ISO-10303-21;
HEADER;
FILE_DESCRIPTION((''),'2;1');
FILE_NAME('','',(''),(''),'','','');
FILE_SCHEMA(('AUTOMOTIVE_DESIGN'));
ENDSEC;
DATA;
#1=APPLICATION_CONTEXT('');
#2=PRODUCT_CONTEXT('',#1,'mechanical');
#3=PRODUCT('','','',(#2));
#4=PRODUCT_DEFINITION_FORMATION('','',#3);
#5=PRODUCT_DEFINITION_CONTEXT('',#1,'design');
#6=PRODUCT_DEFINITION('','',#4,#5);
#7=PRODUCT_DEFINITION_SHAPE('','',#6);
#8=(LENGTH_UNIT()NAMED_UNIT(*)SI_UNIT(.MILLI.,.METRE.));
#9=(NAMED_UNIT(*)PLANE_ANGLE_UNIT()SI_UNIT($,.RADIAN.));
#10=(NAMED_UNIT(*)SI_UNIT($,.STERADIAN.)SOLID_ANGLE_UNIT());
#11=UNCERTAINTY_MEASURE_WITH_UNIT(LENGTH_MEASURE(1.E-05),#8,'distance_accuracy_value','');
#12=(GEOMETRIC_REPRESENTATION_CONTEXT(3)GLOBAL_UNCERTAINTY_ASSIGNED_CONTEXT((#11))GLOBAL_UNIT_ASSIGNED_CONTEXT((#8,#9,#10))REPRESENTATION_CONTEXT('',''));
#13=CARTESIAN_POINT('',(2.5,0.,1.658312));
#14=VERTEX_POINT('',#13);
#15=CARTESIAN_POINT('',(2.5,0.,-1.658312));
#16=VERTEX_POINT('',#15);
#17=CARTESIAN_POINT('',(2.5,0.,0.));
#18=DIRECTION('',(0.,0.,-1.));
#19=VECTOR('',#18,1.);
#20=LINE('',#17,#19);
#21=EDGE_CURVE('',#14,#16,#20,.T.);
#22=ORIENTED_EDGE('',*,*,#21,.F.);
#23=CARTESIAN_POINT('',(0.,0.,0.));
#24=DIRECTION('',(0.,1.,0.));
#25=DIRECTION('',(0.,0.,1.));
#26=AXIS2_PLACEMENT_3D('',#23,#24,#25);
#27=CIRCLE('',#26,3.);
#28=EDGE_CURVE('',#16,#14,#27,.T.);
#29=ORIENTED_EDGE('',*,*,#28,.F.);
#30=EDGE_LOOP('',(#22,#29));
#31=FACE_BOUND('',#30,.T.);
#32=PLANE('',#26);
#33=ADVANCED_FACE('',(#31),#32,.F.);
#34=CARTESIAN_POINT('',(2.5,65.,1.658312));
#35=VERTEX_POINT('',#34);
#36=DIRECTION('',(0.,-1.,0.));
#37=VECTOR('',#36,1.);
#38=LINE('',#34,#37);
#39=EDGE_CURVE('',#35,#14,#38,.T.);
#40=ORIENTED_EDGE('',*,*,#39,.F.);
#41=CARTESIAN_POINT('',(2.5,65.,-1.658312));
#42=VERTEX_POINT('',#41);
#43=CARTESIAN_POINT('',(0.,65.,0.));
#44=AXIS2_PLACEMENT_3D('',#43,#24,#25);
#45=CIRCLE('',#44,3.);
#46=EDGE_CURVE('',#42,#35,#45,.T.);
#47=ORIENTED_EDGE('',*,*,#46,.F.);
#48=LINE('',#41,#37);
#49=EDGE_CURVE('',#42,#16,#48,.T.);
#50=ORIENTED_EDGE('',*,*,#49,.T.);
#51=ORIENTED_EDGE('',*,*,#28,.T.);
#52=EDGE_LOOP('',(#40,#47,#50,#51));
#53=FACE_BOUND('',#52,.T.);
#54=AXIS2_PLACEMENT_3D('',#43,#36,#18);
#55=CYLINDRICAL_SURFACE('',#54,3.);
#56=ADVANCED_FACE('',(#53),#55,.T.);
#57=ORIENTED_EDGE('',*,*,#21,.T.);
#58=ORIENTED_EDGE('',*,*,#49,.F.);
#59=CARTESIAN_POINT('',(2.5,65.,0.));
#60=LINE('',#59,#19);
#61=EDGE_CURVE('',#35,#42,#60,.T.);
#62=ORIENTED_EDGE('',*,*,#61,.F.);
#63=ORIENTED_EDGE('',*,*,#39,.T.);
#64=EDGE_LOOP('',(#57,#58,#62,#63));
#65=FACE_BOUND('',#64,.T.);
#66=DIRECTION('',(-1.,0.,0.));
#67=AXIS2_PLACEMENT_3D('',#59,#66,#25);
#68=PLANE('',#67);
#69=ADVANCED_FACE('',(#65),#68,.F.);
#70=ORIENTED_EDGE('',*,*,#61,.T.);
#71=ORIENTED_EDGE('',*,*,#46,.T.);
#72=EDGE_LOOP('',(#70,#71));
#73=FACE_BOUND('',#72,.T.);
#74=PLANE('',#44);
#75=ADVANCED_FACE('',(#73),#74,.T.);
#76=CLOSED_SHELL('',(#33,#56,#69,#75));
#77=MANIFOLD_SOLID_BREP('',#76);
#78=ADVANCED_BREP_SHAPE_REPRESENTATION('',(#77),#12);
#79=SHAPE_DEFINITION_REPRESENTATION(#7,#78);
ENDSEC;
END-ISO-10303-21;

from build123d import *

# Parameters (mm, degrees)
BOSS_EXTRUDE1_DEPTH = 65


with BuildPart() as part:
    # Sketch1 → Boss-Extrude1 (new body)
    with BuildSketch(Plane(origin=(0, 0, 0), x_dir=(1, 0, 0), z_dir=(0, 1, 0))):
        with BuildLine():
            ThreePointArc((2.5, 1.658312395), (-0.866025404, 2.872281323), (-3, 0))
            Line((-3, 0), (2.5, 0))
            Line((2.5, 0), (2.5, 1.658312395))
        make_face()
        with BuildLine():
            Line((2.5, 0), (-3, 0))
            ThreePointArc((-3, 0), (-0.866025404, -2.872281323), (2.5, -1.658312395))
            Line((2.5, -1.658312395), (2.5, 0))
        make_face()
    extrude(amount=BOSS_EXTRUDE1_DEPTH)


solid = part.part
